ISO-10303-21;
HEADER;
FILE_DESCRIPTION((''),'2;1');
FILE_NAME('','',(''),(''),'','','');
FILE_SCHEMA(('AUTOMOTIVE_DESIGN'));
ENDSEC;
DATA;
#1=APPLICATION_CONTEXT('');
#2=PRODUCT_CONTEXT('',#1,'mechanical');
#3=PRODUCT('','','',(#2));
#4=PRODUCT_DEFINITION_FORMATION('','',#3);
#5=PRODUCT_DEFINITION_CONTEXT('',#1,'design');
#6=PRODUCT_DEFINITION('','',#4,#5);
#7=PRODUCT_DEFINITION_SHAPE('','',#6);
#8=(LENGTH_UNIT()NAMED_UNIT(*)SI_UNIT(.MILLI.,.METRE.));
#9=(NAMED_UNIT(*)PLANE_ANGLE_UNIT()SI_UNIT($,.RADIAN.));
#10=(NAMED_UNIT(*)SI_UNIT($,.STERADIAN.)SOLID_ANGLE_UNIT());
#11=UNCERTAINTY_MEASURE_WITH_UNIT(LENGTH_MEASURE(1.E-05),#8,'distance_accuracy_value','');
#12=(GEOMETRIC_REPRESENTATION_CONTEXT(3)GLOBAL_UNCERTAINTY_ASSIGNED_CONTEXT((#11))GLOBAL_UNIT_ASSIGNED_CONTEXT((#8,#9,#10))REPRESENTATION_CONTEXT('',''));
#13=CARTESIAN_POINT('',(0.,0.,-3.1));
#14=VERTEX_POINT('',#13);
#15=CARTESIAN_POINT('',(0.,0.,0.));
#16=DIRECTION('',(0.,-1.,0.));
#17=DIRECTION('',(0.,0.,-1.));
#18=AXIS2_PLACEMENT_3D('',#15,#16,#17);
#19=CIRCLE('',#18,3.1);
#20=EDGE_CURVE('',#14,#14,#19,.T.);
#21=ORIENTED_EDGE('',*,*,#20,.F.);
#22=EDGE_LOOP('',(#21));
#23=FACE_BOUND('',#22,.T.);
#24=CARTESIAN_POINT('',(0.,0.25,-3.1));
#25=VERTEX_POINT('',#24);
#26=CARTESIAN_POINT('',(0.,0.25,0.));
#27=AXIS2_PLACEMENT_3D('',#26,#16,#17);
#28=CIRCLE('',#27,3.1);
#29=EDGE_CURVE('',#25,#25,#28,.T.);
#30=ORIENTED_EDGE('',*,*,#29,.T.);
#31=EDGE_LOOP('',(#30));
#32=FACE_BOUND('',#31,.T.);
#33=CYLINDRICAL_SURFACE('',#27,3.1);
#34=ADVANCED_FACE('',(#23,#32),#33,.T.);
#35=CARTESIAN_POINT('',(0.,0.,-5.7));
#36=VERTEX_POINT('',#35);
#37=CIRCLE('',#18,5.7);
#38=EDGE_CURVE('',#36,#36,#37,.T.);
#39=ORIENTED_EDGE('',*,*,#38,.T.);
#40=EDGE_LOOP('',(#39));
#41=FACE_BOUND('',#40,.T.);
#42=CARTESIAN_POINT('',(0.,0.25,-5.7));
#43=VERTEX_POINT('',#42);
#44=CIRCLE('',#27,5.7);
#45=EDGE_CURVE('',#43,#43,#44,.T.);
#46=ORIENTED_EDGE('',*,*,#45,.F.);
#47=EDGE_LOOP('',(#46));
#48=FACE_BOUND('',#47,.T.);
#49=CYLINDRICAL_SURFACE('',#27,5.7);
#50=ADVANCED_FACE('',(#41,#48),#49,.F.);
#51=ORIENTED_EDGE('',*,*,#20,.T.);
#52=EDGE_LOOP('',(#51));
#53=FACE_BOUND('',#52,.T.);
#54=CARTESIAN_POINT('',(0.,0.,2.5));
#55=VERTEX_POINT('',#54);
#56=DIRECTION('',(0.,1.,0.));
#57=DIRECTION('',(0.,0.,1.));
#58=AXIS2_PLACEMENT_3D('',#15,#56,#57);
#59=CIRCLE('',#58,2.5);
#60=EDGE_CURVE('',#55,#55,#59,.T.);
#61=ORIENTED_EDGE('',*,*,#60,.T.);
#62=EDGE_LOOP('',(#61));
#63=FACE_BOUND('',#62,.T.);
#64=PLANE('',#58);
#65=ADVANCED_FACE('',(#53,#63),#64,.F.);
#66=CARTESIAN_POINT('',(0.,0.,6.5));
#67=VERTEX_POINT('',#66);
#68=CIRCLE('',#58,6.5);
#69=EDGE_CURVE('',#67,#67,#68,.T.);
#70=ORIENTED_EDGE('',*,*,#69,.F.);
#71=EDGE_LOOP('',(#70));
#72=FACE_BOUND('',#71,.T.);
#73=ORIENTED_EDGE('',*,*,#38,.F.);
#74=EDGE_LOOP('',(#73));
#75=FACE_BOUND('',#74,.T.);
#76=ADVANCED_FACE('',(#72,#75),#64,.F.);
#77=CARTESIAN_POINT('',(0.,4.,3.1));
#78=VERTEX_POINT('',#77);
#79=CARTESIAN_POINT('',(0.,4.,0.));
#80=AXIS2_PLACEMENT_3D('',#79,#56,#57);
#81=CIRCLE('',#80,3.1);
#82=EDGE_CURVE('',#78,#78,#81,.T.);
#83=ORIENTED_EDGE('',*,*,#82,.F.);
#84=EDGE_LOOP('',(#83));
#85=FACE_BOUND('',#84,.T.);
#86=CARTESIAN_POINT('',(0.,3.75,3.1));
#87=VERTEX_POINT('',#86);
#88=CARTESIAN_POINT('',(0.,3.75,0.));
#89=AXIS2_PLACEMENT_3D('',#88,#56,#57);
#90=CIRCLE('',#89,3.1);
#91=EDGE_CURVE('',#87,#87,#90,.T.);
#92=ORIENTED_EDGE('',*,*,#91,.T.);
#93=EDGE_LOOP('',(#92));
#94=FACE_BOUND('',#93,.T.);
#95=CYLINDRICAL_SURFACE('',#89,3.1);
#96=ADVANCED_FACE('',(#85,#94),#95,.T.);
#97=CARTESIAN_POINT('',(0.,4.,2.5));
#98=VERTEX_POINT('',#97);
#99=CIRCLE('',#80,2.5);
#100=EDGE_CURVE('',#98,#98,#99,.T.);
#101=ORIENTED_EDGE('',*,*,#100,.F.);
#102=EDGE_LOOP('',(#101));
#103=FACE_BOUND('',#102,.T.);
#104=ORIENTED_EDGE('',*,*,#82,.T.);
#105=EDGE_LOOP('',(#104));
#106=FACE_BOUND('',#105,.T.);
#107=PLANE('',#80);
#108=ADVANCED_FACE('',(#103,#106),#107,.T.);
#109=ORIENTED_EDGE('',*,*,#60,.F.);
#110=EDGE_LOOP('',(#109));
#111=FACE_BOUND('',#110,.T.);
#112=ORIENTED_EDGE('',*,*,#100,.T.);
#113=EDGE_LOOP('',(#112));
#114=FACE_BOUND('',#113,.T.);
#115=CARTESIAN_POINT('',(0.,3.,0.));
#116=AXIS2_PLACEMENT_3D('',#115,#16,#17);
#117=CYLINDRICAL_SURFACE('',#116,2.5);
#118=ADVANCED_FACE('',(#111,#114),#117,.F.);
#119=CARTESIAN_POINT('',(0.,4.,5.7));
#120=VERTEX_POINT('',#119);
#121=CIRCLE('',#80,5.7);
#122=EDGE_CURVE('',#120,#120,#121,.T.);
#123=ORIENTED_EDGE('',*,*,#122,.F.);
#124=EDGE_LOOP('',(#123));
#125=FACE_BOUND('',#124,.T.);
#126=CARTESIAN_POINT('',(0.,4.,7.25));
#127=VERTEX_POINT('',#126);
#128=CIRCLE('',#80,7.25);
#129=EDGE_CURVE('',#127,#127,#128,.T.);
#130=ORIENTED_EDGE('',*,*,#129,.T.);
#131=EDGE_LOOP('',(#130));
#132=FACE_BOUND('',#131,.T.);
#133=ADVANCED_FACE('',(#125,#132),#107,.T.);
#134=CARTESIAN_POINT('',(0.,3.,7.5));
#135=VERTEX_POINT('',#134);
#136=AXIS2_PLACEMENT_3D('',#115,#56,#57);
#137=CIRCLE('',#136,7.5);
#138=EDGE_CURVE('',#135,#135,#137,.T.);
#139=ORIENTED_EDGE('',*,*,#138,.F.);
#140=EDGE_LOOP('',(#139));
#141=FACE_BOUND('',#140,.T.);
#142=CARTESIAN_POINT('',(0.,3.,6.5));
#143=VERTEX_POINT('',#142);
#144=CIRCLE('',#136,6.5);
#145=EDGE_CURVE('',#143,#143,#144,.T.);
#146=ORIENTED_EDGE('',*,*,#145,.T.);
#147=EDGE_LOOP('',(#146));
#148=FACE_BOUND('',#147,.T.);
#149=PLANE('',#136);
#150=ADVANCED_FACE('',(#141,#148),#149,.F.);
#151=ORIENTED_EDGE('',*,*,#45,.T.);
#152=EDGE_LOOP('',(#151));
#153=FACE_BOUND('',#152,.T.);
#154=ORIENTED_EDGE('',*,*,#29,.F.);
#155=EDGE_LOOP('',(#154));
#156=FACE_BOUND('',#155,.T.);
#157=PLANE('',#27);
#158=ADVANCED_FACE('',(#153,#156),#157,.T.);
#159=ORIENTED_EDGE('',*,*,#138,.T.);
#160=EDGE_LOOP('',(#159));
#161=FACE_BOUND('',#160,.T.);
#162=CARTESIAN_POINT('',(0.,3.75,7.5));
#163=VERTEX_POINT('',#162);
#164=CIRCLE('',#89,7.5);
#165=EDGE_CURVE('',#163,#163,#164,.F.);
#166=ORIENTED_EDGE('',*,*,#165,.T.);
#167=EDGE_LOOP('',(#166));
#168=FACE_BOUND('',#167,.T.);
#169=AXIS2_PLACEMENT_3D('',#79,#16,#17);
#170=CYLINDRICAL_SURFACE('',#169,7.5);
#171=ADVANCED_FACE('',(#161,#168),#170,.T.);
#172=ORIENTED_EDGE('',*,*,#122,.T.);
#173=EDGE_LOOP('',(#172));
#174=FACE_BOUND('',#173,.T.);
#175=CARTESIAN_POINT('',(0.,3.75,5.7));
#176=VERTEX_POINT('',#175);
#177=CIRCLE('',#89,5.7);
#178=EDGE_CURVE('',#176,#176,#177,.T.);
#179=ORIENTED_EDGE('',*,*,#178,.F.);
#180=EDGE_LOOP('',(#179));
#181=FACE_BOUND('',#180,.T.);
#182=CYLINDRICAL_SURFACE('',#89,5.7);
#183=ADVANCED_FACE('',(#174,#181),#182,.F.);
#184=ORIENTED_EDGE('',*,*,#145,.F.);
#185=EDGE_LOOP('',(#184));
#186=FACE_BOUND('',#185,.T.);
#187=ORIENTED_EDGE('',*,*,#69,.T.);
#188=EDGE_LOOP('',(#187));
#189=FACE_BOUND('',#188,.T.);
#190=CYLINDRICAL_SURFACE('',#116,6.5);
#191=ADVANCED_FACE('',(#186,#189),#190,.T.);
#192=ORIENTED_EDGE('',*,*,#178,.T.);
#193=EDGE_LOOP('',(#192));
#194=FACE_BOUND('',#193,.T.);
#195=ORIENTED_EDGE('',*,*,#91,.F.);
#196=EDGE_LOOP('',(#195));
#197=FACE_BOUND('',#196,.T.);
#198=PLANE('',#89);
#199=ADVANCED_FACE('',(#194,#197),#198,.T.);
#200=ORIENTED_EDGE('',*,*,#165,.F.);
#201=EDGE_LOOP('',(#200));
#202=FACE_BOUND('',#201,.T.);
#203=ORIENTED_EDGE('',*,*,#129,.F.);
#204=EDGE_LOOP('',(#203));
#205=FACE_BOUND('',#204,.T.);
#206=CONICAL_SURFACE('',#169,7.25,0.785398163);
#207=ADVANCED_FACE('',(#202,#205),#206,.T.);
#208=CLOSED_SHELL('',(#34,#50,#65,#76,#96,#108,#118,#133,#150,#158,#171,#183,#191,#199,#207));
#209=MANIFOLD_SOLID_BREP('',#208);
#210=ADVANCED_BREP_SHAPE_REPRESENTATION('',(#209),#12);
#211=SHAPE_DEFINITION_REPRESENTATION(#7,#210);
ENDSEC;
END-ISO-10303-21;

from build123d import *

# Parameters (mm, degrees)
SKETCH1_R           = 6.5
SKETCH1_R_2         = 2.5
BOSS_EXTRUDE1_DEPTH = 3
SKETCH2_R           = 7.5
SKETCH2_R_2         = 2.5
BOSS_EXTRUDE2_DEPTH = 1
SKETCH3_R           = 5.7
SKETCH3_R_2         = 3.1
CUT_EXTRUDE1_DEPTH  = 0.25
CUT_EXTRUDE2_START  = -0.25
SKETCH4_R           = 5.7
SKETCH4_R_2         = 3.1
CUT_EXTRUDE2_DEPTH  = 0.25
CHAMFER1_SIZE       = 0.25


with BuildPart() as part:
    # Sketch1 → Boss-Extrude1 (new body)
    with BuildSketch(Plane(origin=(0, 0, 0), x_dir=(1, 0, 0), z_dir=(0, 1, 0))):
        Circle(SKETCH1_R)
        Circle(SKETCH1_R_2, mode=Mode.SUBTRACT)
    extrude(amount=BOSS_EXTRUDE1_DEPTH)

    # Sketch2 → Boss-Extrude2 (add)
    with BuildSketch(Plane(origin=(0, 3, 0), x_dir=(1, 0, 0), z_dir=(0, 1, 0))):
        Circle(SKETCH2_R)
        Circle(SKETCH2_R_2, mode=Mode.SUBTRACT)
    extrude(amount=BOSS_EXTRUDE2_DEPTH)

    # Sketch3 → Cut-Extrude1 (cut)
    with BuildSketch(Plane.XZ):
        Circle(SKETCH3_R)
        Circle(SKETCH3_R_2, mode=Mode.SUBTRACT)
    extrude(amount=-CUT_EXTRUDE1_DEPTH, mode=Mode.SUBTRACT)

    # Sketch4 → Cut-Extrude2 (cut)
    with BuildSketch(Plane(origin=(0, 4, 0), x_dir=(1, 0, 0), z_dir=(0, 1, 0)).offset(CUT_EXTRUDE2_START)):
        Circle(SKETCH4_R)
        Circle(SKETCH4_R_2, mode=Mode.SUBTRACT)
    extrude(amount=CUT_EXTRUDE2_DEPTH, mode=Mode.SUBTRACT)

    # Chamfer1
    chamfer1_edges = [part.edges().sort_by_distance(p)[0] for p in [
        (-7.5, 4, 0),
    ]]
    chamfer(chamfer1_edges, length=CHAMFER1_SIZE)


solid = part.part
